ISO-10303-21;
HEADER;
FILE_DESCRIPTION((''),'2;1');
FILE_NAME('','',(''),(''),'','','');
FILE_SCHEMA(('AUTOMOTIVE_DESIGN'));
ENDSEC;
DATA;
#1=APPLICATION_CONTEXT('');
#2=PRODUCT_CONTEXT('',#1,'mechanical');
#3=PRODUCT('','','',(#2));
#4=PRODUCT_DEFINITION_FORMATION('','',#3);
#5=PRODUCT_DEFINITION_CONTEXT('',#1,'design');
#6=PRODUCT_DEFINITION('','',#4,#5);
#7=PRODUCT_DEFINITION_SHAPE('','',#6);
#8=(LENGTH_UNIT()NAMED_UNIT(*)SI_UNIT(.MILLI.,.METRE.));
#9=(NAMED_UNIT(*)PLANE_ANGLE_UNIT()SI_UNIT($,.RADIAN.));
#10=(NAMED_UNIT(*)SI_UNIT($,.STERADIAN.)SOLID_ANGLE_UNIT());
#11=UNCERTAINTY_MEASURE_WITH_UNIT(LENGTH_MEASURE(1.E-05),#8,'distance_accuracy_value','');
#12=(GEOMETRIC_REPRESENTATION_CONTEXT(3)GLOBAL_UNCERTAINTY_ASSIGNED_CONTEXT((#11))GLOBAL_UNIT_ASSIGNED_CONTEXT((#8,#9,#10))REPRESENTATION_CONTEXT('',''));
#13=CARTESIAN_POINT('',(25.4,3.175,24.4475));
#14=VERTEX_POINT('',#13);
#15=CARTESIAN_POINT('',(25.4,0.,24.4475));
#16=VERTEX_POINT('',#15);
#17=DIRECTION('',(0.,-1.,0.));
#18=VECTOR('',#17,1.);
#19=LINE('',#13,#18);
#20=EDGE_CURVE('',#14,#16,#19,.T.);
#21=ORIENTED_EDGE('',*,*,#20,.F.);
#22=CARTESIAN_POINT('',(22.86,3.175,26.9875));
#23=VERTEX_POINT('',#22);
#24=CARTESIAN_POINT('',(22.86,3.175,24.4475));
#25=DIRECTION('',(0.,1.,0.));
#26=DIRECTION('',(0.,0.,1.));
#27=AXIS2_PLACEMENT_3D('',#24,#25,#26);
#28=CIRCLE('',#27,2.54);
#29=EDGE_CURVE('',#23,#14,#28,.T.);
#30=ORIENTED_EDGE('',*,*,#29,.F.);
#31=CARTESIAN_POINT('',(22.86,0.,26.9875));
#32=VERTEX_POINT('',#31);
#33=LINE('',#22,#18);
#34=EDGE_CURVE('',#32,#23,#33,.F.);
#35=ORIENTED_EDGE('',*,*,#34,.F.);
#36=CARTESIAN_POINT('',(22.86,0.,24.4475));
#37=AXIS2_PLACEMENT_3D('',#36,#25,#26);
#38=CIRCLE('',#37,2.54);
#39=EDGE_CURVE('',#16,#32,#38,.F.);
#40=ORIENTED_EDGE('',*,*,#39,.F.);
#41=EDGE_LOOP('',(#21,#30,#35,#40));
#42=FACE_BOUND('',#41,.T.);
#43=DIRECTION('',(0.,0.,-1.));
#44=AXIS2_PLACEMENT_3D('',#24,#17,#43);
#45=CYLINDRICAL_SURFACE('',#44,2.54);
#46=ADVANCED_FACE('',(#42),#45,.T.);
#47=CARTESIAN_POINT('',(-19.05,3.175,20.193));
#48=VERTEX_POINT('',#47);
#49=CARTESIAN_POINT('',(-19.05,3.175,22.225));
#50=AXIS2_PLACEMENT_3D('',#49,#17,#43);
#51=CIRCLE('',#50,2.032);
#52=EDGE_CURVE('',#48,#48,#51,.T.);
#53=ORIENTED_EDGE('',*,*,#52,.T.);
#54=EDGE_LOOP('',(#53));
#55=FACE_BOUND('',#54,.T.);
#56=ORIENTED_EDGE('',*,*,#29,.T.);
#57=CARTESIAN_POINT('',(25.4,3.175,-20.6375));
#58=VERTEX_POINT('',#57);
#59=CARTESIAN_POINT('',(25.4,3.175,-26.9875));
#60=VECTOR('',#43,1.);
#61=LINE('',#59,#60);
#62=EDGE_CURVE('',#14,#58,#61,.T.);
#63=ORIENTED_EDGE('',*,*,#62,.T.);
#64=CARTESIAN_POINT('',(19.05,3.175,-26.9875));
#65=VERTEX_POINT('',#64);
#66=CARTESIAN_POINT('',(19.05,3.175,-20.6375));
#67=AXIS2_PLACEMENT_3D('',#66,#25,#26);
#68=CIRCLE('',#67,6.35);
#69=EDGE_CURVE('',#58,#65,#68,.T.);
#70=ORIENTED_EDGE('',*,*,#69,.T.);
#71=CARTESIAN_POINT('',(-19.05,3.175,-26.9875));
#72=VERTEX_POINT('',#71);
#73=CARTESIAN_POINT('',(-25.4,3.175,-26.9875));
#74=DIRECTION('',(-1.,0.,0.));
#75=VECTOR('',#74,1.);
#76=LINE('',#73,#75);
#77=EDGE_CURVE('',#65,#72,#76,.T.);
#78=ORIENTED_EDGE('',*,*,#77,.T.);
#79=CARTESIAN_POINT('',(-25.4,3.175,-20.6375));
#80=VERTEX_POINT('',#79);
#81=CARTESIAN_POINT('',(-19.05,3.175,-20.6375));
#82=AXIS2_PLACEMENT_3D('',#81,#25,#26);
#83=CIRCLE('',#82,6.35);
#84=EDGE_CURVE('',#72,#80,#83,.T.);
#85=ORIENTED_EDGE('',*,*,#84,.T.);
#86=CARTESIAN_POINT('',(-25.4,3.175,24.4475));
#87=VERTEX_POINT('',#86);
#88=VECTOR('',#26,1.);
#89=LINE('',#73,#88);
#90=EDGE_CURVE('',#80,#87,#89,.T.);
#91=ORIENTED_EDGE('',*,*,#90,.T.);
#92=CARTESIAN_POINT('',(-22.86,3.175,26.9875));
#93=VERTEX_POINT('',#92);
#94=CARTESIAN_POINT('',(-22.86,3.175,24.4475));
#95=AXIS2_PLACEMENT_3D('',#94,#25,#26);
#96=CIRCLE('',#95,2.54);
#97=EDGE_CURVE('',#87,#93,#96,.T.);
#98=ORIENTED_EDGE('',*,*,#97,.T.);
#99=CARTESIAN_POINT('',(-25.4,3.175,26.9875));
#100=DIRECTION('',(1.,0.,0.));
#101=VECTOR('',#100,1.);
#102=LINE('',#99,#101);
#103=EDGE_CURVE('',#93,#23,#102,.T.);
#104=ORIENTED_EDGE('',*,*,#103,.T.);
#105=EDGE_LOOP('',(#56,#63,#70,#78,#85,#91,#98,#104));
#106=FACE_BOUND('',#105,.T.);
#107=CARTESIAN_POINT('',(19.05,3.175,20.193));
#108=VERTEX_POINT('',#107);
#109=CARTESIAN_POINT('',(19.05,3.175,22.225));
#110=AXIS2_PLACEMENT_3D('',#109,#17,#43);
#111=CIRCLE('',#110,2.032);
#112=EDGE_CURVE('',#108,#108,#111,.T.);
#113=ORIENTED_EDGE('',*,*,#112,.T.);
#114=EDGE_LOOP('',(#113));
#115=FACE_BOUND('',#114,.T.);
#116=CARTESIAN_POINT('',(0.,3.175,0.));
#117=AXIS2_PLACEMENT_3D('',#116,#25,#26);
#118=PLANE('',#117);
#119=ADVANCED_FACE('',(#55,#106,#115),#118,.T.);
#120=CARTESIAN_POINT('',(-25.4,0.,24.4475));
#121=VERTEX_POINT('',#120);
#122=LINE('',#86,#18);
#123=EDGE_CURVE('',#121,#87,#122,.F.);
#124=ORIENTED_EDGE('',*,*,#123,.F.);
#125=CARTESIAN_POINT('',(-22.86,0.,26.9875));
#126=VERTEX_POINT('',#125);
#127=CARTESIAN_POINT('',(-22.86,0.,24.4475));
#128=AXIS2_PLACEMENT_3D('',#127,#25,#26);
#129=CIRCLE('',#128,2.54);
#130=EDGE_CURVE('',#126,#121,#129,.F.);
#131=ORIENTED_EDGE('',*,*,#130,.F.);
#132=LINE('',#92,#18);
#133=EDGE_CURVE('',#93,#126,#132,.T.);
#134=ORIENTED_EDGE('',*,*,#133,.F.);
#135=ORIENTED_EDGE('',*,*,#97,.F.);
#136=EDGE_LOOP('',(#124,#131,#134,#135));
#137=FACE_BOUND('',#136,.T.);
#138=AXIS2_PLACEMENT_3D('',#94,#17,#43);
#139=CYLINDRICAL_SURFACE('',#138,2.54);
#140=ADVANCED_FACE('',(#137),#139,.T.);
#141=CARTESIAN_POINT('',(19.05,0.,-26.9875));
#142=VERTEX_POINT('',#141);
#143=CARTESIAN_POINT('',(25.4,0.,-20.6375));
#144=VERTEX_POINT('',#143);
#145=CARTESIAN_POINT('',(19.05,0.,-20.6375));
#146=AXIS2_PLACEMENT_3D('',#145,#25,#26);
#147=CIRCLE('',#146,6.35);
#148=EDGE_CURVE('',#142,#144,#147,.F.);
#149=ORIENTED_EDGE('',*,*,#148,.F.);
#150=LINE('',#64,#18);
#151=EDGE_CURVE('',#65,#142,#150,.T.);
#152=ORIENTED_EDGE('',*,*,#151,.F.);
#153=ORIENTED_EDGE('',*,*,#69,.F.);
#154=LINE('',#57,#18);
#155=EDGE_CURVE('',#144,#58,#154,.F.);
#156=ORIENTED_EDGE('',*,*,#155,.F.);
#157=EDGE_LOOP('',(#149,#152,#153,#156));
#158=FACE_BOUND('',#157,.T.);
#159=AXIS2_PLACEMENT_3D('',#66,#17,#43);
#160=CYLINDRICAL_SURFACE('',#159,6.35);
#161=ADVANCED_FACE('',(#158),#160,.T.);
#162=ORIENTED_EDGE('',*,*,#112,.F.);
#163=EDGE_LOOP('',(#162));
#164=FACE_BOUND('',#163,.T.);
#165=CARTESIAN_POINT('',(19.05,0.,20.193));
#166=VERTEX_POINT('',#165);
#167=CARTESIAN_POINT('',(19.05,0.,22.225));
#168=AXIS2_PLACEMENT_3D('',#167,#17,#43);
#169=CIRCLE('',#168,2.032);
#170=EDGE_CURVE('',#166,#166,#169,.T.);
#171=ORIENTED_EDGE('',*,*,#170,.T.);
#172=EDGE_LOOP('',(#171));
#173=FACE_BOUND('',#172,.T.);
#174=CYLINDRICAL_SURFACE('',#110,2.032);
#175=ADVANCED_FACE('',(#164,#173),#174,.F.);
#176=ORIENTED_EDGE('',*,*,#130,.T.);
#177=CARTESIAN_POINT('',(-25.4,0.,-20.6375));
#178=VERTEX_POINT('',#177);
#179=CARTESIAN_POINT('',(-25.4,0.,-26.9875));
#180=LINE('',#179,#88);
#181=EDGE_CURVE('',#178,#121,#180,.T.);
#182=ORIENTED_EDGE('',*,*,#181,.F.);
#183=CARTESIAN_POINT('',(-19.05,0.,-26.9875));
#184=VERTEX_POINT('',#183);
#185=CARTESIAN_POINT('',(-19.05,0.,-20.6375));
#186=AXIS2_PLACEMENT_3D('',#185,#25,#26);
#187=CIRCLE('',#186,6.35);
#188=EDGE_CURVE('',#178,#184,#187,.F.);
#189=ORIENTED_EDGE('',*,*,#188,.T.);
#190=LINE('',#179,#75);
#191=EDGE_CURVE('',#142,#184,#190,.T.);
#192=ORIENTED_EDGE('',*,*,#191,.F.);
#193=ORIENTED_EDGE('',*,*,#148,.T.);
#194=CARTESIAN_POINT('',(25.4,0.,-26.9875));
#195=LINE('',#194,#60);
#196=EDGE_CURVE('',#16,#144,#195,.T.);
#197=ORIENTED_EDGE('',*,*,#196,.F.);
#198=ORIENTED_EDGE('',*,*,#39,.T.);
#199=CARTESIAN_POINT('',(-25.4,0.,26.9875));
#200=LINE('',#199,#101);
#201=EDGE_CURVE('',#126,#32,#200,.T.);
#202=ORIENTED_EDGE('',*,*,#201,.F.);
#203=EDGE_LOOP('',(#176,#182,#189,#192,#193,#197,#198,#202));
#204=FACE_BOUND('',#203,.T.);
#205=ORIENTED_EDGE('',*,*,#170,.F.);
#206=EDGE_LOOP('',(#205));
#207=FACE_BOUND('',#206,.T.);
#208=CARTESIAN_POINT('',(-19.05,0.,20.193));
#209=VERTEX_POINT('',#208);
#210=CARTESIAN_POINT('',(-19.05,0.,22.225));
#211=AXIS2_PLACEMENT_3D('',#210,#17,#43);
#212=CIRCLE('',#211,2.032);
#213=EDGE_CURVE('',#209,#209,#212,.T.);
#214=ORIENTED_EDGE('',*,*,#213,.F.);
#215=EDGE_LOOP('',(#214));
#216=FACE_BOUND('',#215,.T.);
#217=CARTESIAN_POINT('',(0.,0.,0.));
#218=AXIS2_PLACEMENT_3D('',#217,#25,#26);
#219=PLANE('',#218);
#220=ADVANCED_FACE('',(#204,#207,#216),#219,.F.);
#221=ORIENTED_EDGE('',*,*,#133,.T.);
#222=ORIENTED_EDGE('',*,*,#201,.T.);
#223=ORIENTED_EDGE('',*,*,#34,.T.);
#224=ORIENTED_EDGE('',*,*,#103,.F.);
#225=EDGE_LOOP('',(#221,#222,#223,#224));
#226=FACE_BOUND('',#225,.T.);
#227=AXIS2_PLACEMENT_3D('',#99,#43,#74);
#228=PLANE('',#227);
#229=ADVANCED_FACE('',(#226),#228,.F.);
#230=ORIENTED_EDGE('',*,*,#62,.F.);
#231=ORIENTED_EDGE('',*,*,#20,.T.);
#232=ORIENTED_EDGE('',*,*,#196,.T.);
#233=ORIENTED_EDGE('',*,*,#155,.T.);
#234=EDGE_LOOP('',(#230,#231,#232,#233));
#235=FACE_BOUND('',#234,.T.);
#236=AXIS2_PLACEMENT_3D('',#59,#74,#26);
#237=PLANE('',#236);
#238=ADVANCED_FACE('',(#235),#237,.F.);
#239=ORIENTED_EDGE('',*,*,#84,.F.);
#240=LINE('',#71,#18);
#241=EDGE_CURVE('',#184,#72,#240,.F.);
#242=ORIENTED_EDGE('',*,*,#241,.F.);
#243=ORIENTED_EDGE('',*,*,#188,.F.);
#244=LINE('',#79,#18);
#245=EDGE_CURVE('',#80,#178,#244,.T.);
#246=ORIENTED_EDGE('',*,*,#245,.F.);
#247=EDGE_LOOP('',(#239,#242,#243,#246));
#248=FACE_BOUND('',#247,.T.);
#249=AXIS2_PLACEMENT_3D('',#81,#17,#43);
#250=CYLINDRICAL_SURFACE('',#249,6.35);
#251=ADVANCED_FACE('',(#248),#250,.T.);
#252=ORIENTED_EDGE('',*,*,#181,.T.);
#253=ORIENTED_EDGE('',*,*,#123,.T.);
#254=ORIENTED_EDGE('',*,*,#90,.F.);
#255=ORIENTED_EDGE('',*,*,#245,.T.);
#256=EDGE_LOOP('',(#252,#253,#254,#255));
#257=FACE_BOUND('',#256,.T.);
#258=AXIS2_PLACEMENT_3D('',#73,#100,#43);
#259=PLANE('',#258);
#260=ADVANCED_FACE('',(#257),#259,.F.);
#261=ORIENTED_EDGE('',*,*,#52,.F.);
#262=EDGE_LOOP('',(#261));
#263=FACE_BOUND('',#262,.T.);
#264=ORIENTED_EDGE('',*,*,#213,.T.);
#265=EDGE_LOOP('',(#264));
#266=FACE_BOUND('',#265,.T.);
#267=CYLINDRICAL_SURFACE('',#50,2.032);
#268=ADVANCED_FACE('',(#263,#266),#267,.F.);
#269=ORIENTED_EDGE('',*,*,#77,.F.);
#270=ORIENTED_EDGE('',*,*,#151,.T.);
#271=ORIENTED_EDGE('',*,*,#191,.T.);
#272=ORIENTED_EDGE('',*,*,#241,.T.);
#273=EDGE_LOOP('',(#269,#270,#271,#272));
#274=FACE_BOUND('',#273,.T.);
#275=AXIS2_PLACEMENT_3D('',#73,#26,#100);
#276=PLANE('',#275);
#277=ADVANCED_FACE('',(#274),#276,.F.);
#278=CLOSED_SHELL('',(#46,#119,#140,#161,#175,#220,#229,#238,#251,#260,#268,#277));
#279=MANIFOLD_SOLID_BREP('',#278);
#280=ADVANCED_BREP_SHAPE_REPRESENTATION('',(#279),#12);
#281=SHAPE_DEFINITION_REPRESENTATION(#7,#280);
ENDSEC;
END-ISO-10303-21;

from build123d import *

# Parameters (mm, degrees)
SKETCH1_W           = 50.8
SKETCH1_H           = 53.975
BOSS_EXTRUDE1_DEPTH = 3.175
SKETCH2_R           = 2.032
CUT_EXTRUDE1_DEPTH  = 38.196314082
FILLET1_R           = 2.54
FILLET2_R           = 6.35


with BuildPart() as part:
    # Sketch1 → Boss-Extrude1 (new body)
    with BuildSketch(Plane(origin=(0, 0, 0), x_dir=(1, 0, 0), z_dir=(0, 1, 0))):
        Rectangle(SKETCH1_W, SKETCH1_H)
    extrude(amount=BOSS_EXTRUDE1_DEPTH)

    # Sketch2 → Cut-Extrude1 (cut, through all)
    with BuildSketch(Plane(origin=(0, 0, 0), x_dir=(-1, 0, 0), z_dir=(0, -1, 0))):
        with Locations(Location((-19.05, -22.225, 0), (0, 0, 90))):
            Circle(SKETCH2_R)
        with Locations(Location((19.05, -22.225, 0), (0, 0, 90))):
            Circle(SKETCH2_R)
    extrude(amount=-CUT_EXTRUDE1_DEPTH, mode=Mode.SUBTRACT)

    # Fillet1
    fillet1_edges = [part.edges().sort_by_distance(p)[0] for p in [
        (25.4, 1.5875, 26.9875),
        (-25.4, 1.5875, 26.9875),
    ]]
    fillet(fillet1_edges, radius=FILLET1_R)

    # Fillet2
    fillet2_edges = [part.edges().sort_by_distance(p)[0] for p in [
        (-25.4, 1.5875, -26.9875),
        (25.4, 1.5875, -26.9875),
    ]]
    fillet(fillet2_edges, radius=FILLET2_R)


solid = part.part
